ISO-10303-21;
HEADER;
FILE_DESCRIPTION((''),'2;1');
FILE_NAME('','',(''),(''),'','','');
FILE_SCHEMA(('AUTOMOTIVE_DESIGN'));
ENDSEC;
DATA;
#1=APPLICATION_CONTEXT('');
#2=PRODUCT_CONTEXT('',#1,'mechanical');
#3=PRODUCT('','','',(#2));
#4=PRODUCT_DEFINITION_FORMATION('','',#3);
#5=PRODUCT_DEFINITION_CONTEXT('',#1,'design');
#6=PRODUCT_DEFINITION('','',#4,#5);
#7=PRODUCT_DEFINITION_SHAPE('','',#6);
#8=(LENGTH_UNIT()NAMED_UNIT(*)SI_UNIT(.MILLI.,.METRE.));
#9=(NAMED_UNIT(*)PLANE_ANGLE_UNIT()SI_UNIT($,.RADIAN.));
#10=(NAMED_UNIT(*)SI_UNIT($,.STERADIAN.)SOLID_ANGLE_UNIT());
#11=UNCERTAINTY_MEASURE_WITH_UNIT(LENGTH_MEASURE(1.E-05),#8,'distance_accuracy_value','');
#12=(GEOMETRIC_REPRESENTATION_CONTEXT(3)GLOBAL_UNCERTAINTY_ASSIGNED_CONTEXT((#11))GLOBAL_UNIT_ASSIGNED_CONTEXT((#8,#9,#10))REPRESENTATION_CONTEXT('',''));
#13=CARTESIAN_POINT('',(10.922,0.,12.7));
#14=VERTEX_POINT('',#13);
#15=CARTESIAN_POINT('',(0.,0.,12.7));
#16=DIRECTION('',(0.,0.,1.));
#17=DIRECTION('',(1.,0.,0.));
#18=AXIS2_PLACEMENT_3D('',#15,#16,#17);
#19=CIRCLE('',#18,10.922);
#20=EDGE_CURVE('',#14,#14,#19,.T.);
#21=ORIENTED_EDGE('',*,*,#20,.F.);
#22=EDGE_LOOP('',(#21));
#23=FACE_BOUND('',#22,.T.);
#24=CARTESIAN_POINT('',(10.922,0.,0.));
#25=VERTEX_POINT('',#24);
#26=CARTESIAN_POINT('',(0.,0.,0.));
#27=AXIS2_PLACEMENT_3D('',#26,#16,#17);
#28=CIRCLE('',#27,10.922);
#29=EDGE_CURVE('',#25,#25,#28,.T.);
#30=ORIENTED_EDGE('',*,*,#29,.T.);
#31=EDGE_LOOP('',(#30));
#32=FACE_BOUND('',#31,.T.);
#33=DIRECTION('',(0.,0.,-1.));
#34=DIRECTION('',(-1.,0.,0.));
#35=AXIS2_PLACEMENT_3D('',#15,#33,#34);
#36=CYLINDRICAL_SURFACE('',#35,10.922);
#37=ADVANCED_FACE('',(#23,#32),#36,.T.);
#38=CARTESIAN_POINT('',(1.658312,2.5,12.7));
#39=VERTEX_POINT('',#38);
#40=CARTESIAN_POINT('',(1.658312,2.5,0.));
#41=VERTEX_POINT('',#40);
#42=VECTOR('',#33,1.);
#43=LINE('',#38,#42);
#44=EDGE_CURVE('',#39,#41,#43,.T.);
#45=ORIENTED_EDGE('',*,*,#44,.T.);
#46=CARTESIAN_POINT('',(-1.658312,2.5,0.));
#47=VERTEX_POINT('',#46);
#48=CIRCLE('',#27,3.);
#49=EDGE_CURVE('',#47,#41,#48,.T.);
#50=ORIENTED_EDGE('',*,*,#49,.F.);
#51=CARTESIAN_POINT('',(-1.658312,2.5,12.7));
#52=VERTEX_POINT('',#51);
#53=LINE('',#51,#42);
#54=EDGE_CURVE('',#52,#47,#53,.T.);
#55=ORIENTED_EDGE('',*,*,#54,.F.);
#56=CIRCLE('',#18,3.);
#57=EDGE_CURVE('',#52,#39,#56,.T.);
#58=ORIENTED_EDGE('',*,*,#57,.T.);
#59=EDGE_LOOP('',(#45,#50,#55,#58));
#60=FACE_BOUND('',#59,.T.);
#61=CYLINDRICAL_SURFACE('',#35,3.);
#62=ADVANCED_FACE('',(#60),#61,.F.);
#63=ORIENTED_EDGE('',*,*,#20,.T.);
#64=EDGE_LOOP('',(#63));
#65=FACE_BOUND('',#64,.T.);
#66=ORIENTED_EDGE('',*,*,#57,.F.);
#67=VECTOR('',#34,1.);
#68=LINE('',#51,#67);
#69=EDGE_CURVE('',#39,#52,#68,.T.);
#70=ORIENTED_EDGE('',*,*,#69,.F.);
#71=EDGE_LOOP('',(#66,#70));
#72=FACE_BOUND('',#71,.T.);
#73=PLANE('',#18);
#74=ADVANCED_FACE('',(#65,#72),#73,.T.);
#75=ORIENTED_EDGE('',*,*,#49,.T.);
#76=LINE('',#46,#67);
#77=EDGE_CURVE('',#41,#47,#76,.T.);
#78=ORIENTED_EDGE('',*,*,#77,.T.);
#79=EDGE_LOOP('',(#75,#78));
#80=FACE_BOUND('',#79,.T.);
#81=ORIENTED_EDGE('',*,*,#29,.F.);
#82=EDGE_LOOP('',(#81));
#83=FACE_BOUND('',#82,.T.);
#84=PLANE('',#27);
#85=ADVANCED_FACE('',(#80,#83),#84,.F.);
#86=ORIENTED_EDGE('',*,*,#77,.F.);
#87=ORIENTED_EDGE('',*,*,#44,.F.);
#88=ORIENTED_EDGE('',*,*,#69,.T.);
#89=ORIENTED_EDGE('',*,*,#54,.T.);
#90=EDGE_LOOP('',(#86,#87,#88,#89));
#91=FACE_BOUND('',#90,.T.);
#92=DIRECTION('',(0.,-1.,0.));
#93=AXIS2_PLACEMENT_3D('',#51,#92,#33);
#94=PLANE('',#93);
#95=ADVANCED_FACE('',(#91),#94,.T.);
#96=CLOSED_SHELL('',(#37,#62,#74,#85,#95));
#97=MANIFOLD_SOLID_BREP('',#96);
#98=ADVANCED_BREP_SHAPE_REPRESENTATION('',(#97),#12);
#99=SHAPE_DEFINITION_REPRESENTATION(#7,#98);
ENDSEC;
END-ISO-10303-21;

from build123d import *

# Parameters (mm, degrees)
SKETCH1_R           = 10.922
BOSS_EXTRUDE1_DEPTH = 12.7


with BuildPart() as part:
    # Sketch1 → Boss-Extrude1 (new body)
    with BuildSketch(Plane.XY):
        Circle(SKETCH1_R)
        with BuildLine():
            Line((-1.658312395, 2.5), (1.658312395, 2.5))
            ThreePointArc((1.658312395, 2.5), (0, -3), (-1.658312395, 2.5))
        make_face(mode=Mode.SUBTRACT)
    extrude(amount=BOSS_EXTRUDE1_DEPTH)


solid = part.part
